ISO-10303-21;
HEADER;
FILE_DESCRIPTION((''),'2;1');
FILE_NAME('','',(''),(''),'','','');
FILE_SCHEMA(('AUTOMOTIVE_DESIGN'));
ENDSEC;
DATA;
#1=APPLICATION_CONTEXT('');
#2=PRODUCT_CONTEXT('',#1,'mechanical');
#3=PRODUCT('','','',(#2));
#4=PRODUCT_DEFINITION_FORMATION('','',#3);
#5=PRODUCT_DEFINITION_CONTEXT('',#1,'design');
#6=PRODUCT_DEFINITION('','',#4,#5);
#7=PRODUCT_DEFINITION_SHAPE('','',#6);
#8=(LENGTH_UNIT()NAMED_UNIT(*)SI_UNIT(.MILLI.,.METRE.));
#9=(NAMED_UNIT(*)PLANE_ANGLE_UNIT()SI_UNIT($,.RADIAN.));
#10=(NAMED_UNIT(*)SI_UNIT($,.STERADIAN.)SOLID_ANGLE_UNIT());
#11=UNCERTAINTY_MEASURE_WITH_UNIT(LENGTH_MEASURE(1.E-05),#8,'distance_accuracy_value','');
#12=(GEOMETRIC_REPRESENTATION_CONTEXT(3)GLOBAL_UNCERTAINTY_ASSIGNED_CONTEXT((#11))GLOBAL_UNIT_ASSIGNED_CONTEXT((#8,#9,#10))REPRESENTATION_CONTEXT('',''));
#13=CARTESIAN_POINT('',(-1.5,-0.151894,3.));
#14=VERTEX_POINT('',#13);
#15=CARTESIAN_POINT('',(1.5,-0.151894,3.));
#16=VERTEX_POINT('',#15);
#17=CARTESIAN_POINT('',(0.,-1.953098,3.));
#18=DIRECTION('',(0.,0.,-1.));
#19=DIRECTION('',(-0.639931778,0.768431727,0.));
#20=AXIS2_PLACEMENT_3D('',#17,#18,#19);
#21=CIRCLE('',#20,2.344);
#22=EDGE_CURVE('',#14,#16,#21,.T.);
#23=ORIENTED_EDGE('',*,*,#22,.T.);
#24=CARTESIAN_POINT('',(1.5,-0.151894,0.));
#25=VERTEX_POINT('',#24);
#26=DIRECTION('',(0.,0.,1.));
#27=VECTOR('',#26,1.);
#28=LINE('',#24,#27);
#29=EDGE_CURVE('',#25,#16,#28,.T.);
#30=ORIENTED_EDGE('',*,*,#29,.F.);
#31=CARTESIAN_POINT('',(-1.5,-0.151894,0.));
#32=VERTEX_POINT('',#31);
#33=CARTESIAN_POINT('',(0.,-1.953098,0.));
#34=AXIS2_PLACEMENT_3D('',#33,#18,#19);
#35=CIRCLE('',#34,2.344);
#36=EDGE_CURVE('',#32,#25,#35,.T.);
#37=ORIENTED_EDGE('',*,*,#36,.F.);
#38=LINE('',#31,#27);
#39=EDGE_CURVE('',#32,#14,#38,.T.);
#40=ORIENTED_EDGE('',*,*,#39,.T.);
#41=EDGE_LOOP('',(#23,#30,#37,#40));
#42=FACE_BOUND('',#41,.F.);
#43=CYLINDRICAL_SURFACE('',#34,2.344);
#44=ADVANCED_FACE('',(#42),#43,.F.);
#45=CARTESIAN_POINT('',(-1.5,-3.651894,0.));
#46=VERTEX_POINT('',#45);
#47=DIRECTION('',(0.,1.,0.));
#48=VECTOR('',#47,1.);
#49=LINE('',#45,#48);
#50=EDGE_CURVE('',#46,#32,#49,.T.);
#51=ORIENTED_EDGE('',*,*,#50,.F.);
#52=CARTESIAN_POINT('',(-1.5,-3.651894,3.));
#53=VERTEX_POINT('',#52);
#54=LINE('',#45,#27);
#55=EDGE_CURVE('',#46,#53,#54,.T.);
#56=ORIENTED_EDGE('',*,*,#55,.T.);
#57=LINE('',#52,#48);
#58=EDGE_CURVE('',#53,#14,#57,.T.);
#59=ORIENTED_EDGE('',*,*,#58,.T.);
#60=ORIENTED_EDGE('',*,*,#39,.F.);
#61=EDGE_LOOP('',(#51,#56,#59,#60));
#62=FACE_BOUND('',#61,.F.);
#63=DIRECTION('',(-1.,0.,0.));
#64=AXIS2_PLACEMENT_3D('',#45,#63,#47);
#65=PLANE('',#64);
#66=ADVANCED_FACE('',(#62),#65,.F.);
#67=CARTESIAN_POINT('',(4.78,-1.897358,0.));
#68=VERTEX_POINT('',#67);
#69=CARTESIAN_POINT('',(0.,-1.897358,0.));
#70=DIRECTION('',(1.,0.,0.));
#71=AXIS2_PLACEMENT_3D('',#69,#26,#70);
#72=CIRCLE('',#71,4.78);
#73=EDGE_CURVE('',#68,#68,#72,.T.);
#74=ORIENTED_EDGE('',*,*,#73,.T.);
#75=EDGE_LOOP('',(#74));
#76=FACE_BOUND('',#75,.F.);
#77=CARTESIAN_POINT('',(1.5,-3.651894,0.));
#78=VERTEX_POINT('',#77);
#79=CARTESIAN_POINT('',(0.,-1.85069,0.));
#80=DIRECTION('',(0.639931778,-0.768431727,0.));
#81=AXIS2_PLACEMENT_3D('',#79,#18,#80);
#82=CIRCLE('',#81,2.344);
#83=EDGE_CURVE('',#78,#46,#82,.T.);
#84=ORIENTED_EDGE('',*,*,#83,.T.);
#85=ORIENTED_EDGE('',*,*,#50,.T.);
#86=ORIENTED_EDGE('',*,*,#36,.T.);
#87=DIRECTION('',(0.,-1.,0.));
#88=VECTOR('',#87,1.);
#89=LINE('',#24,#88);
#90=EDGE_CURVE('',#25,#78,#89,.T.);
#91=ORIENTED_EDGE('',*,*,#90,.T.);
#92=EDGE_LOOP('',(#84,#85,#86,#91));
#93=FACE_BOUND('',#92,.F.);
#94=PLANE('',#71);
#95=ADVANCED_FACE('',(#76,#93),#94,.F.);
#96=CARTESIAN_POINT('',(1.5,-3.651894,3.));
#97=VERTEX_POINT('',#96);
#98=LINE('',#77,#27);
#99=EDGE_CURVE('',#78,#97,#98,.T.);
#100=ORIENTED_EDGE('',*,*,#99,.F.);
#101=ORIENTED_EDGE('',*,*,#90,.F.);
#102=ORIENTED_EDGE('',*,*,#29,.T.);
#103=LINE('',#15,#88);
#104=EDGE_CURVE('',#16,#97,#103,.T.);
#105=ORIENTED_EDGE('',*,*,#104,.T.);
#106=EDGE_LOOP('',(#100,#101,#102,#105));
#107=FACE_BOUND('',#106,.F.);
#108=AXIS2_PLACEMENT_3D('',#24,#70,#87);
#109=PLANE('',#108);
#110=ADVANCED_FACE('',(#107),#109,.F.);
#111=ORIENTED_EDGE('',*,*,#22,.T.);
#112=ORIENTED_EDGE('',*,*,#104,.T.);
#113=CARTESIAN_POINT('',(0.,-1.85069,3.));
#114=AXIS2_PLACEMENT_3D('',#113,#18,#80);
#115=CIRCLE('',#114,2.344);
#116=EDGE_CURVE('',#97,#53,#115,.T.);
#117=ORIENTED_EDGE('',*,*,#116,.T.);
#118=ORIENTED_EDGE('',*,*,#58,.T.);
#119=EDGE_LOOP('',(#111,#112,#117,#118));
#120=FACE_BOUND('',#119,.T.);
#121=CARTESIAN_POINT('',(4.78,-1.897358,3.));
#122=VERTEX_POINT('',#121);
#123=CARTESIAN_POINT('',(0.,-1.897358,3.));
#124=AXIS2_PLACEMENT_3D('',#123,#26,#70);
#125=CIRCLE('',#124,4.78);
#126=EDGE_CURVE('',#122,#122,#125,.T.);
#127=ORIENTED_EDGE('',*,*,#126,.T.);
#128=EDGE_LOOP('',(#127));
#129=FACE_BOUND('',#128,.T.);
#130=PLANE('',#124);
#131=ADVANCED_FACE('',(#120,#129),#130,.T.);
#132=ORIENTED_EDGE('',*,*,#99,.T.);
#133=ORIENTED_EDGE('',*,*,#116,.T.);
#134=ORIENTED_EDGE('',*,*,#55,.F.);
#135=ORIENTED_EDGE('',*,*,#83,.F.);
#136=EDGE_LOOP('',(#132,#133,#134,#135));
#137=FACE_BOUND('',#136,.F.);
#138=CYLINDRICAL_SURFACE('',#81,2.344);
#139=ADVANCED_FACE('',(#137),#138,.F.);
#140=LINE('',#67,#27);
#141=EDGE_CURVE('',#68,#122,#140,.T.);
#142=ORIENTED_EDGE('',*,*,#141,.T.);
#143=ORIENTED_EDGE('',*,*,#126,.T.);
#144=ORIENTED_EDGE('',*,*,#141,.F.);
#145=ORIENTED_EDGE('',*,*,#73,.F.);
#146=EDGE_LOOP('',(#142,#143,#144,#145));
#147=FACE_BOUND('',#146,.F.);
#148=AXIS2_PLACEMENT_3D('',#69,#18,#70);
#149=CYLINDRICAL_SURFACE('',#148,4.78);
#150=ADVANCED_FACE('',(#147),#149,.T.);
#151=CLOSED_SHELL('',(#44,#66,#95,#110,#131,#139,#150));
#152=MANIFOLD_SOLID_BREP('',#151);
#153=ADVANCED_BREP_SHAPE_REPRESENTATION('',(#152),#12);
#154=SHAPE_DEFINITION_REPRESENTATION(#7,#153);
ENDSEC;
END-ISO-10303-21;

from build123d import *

# Parameters (mm, degrees)
F0_R     = 4.78
F1_DEPTH = 3


with BuildPart() as f1:
    # F0 (on Top) → F1 (new body)
    with BuildSketch(Plane.XY):
        with Locations((0, -1.897358)):
            Circle(F0_R)
        with BuildLine():
            Line((-1.5, -3.651894), (-1.5, -0.151894))
            ThreePointArc((-1.5, -0.151894), (0, 0.390902), (1.5, -0.151894))
            Line((1.5, -0.151894), (1.5, -3.651894))
            ThreePointArc((1.5, -3.651894), (0, -4.19469), (-1.5, -3.651894))
        make_face(mode=Mode.SUBTRACT)
    extrude(amount=F1_DEPTH)


solid = f1.part
